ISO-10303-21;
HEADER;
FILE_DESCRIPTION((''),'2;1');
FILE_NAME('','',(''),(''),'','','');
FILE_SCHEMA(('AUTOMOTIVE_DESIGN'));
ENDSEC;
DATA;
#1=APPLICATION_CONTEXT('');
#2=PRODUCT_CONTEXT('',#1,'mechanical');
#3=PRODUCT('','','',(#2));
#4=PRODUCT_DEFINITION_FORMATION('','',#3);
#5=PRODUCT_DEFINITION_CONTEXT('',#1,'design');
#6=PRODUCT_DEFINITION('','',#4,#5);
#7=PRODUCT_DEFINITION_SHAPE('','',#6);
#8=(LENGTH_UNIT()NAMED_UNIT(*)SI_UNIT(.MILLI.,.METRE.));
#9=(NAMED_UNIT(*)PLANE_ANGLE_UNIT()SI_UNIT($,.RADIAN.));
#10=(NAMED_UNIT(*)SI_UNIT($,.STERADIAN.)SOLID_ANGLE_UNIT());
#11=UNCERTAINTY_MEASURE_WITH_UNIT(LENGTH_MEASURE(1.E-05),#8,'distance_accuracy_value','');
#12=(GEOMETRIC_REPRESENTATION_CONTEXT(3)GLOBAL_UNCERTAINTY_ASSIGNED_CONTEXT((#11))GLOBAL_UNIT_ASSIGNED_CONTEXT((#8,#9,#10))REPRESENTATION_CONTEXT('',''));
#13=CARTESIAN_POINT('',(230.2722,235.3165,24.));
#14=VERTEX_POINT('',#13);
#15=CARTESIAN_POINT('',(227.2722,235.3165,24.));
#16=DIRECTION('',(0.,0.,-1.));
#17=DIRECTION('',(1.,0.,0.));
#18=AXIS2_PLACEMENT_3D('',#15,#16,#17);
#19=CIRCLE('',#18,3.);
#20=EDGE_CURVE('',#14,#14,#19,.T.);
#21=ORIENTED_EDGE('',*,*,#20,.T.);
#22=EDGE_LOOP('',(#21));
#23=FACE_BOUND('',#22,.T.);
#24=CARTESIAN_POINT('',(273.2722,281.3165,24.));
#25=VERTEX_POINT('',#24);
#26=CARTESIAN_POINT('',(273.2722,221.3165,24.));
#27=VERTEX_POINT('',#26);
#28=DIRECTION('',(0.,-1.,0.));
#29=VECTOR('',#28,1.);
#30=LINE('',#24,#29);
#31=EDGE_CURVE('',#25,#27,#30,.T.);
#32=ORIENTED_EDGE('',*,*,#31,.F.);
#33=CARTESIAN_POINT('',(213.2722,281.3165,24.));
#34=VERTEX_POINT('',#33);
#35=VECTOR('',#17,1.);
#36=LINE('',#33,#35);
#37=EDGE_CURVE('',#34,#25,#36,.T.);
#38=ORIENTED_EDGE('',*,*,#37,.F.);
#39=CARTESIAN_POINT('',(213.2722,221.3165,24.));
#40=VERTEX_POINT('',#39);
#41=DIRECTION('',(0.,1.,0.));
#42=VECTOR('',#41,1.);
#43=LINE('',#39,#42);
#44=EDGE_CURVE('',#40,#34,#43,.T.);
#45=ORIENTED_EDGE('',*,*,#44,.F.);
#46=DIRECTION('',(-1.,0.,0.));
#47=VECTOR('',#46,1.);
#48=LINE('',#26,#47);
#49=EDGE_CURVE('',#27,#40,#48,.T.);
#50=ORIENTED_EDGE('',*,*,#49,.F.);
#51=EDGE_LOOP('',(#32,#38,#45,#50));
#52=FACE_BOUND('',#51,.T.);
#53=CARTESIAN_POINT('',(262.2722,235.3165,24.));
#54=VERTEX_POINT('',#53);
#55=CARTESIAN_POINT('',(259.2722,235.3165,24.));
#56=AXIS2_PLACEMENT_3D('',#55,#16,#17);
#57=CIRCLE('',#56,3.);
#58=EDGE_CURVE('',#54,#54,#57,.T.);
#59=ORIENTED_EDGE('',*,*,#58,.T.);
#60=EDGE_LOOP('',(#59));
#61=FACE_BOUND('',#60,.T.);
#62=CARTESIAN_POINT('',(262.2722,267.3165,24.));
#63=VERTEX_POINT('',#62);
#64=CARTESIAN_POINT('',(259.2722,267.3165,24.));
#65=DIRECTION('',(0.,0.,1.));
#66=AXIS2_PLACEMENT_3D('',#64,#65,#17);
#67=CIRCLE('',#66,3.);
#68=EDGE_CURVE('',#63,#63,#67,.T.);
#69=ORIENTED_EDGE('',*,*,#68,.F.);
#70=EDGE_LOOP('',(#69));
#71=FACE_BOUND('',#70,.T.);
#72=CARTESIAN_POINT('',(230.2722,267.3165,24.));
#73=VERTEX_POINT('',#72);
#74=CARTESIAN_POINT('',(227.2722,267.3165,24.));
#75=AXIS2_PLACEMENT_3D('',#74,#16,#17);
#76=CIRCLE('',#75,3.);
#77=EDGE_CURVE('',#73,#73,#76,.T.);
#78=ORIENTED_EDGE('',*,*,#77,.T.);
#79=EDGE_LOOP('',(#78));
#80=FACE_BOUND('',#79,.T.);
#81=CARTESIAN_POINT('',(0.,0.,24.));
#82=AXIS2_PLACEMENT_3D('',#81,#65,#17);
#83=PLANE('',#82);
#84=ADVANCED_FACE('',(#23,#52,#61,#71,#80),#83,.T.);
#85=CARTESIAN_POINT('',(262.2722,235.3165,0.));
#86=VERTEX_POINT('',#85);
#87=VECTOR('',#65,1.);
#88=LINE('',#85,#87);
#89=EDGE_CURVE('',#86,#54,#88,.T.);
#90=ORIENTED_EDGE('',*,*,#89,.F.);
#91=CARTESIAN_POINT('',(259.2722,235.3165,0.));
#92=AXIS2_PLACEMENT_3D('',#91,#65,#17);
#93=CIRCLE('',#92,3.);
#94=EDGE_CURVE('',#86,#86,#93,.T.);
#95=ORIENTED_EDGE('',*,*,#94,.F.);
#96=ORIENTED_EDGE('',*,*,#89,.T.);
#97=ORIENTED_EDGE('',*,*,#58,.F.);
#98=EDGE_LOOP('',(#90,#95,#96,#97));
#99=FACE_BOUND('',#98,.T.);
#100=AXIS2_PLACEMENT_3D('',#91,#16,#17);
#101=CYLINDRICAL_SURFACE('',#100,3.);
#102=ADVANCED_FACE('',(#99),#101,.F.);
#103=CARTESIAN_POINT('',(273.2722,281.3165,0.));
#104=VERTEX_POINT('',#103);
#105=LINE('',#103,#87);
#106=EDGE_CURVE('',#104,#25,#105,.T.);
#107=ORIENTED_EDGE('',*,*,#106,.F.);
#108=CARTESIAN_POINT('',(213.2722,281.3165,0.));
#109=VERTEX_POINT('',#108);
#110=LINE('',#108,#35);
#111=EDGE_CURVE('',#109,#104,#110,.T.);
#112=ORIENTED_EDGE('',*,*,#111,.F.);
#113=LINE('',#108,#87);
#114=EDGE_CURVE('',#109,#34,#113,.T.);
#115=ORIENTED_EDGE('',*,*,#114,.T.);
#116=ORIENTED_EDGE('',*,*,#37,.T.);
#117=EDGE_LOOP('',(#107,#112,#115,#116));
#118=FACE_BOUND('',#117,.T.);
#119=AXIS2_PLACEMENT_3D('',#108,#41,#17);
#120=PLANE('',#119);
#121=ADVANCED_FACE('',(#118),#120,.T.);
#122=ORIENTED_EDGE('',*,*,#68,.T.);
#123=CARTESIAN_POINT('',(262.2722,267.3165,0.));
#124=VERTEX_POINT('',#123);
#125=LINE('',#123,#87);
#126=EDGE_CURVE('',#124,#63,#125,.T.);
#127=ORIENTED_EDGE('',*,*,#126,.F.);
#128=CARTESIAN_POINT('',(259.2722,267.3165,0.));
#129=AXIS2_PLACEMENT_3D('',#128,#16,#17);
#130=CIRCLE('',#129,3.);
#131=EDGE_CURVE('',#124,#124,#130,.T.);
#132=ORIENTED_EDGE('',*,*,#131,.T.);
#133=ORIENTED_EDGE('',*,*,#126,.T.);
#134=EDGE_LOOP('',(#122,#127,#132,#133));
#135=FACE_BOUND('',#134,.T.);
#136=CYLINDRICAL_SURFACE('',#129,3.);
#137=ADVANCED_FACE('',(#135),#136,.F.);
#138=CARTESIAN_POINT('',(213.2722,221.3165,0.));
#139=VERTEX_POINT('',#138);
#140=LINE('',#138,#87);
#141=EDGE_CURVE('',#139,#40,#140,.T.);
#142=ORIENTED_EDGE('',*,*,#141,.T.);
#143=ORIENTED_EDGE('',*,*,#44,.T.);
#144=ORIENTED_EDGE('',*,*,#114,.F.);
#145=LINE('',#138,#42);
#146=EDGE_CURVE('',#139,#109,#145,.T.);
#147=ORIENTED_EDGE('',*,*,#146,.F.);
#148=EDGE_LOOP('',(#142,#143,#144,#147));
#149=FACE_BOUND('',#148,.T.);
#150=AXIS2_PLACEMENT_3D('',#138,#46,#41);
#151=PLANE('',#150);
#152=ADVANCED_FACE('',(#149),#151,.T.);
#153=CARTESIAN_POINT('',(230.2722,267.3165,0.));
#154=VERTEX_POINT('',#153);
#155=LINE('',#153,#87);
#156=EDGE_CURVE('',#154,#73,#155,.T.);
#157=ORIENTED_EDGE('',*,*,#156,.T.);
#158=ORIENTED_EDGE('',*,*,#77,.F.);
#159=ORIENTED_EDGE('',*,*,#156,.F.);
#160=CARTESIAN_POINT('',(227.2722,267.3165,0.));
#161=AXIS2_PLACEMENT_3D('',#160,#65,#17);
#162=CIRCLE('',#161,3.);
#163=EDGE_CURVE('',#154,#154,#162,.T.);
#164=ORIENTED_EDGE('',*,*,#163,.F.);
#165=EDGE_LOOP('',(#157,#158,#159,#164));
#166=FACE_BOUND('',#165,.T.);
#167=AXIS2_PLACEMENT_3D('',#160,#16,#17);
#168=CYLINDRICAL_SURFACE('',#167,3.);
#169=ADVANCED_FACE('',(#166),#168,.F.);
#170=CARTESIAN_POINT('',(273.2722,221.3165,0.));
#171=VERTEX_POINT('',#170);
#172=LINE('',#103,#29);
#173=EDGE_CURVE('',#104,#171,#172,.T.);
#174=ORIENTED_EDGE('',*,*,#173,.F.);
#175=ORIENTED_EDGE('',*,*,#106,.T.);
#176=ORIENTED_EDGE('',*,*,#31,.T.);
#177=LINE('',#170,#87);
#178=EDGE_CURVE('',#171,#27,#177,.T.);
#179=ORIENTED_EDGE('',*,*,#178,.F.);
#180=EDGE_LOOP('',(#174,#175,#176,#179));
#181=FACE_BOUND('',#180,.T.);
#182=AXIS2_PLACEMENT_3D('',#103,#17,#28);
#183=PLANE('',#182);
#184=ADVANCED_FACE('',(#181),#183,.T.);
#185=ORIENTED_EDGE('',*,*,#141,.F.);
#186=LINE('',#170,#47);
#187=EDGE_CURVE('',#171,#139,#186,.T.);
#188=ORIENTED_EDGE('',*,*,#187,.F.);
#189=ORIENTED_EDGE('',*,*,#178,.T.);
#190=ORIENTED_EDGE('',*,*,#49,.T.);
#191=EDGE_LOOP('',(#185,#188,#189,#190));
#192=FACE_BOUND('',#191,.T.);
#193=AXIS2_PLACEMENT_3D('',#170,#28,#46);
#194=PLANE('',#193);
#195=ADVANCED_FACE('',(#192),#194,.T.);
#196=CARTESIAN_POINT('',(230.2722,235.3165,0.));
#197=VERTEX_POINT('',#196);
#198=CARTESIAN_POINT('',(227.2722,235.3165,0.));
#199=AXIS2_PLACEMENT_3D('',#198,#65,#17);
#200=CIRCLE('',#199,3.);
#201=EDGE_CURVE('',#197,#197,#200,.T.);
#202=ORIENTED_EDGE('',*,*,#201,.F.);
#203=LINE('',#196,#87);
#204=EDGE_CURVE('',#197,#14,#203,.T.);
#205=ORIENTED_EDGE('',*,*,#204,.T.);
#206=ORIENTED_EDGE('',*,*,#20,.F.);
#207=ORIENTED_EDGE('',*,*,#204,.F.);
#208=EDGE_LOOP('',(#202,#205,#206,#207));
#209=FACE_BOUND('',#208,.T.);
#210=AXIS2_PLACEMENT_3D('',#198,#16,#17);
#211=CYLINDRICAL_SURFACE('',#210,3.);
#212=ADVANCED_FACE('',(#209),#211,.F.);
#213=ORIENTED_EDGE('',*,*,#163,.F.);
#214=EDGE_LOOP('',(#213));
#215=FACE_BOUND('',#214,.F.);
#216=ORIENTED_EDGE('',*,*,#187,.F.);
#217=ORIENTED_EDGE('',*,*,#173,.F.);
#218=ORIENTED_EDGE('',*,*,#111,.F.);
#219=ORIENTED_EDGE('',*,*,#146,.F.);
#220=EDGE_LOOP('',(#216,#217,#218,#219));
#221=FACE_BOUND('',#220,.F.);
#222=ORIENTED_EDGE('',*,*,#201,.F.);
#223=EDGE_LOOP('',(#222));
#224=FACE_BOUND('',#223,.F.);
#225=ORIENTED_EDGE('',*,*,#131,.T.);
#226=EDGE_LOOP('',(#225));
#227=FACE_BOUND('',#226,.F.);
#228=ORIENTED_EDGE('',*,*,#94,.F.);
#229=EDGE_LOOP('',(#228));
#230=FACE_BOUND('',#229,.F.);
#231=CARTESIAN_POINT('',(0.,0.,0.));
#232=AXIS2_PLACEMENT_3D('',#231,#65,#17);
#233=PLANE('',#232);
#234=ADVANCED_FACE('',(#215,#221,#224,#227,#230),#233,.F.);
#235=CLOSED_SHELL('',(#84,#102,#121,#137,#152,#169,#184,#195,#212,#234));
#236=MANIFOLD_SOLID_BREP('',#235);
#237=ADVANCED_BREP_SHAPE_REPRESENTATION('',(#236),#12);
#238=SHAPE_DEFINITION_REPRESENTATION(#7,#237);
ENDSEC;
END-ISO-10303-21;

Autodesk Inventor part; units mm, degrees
ref_plane "YZ Plane" through (0, 0, 0) normal (1, 0, 0) x (0, 1, 0)
ref_plane "XZ Plane" through (0, 0, 0) normal (0, 1, 0) x (-1, 0, 0)
ref_plane "Work Plane1" through (0, 0, 0) normal (0, 0, 1) x (1, 0, 0)
sketch "Sketch1" plane through (0, 0, 0) normal (0, 0, 1) x (1, 0, 0)
  circle A0 centre (259.2722, 267.3165) radius 3
  circle A1 centre (259.2722, 267.3165) radius 3
  line L0 (273.2722, 221.3165) -> (213.2722, 221.3165)
  line L1 (213.2722, 221.3165) -> (213.2722, 281.3165)
  line L2 (213.2722, 281.3165) -> (273.2722, 281.3165)
  line L3 (273.2722, 281.3165) -> (273.2722, 221.3165)
  line L4 (273.2722, 221.3165) -> (213.2722, 281.3165) construction
  line L5 (213.2722, 221.3165) -> (273.2722, 281.3165) construction
  circle A2 centre (227.2722, 267.3165) radius 3
  circle A3 centre (227.2722, 235.3165) radius 3
  circle A4 centre (259.2722, 235.3165) radius 3
  line L6 (227.2722, 235.3165) -> (259.2722, 235.3165)
  line L7 (227.2722, 267.3165) -> (227.2722, 235.3165)
  line L8 (259.2722, 267.3165) -> (259.2722, 235.3165)
  line L9 (259.2722, 267.3165) -> (227.2722, 267.3165)
  point P0 (0, 0)
  dimension "d0" = 60
  dimension "d1" = 60
  dimension "d4" = 6
  dimension "d5" = 6
  dimension "d6" = 6
  dimension "d11" = 6
  dimension "d12" = 14
  dimension "d14" = 14
  dimension "d15" = 32
extrude "Extrusion1" add sketch "Sketch1" along normal blind 24 contours A0 L8 A4 L6 A3 L7 A2 L9 | L0 L1 L2 L3
equation "\"d4\" = d5"
equation "\"d6\" = d5"
equation "\"d11\" = d5"
properties material "PMMA Plastic"
